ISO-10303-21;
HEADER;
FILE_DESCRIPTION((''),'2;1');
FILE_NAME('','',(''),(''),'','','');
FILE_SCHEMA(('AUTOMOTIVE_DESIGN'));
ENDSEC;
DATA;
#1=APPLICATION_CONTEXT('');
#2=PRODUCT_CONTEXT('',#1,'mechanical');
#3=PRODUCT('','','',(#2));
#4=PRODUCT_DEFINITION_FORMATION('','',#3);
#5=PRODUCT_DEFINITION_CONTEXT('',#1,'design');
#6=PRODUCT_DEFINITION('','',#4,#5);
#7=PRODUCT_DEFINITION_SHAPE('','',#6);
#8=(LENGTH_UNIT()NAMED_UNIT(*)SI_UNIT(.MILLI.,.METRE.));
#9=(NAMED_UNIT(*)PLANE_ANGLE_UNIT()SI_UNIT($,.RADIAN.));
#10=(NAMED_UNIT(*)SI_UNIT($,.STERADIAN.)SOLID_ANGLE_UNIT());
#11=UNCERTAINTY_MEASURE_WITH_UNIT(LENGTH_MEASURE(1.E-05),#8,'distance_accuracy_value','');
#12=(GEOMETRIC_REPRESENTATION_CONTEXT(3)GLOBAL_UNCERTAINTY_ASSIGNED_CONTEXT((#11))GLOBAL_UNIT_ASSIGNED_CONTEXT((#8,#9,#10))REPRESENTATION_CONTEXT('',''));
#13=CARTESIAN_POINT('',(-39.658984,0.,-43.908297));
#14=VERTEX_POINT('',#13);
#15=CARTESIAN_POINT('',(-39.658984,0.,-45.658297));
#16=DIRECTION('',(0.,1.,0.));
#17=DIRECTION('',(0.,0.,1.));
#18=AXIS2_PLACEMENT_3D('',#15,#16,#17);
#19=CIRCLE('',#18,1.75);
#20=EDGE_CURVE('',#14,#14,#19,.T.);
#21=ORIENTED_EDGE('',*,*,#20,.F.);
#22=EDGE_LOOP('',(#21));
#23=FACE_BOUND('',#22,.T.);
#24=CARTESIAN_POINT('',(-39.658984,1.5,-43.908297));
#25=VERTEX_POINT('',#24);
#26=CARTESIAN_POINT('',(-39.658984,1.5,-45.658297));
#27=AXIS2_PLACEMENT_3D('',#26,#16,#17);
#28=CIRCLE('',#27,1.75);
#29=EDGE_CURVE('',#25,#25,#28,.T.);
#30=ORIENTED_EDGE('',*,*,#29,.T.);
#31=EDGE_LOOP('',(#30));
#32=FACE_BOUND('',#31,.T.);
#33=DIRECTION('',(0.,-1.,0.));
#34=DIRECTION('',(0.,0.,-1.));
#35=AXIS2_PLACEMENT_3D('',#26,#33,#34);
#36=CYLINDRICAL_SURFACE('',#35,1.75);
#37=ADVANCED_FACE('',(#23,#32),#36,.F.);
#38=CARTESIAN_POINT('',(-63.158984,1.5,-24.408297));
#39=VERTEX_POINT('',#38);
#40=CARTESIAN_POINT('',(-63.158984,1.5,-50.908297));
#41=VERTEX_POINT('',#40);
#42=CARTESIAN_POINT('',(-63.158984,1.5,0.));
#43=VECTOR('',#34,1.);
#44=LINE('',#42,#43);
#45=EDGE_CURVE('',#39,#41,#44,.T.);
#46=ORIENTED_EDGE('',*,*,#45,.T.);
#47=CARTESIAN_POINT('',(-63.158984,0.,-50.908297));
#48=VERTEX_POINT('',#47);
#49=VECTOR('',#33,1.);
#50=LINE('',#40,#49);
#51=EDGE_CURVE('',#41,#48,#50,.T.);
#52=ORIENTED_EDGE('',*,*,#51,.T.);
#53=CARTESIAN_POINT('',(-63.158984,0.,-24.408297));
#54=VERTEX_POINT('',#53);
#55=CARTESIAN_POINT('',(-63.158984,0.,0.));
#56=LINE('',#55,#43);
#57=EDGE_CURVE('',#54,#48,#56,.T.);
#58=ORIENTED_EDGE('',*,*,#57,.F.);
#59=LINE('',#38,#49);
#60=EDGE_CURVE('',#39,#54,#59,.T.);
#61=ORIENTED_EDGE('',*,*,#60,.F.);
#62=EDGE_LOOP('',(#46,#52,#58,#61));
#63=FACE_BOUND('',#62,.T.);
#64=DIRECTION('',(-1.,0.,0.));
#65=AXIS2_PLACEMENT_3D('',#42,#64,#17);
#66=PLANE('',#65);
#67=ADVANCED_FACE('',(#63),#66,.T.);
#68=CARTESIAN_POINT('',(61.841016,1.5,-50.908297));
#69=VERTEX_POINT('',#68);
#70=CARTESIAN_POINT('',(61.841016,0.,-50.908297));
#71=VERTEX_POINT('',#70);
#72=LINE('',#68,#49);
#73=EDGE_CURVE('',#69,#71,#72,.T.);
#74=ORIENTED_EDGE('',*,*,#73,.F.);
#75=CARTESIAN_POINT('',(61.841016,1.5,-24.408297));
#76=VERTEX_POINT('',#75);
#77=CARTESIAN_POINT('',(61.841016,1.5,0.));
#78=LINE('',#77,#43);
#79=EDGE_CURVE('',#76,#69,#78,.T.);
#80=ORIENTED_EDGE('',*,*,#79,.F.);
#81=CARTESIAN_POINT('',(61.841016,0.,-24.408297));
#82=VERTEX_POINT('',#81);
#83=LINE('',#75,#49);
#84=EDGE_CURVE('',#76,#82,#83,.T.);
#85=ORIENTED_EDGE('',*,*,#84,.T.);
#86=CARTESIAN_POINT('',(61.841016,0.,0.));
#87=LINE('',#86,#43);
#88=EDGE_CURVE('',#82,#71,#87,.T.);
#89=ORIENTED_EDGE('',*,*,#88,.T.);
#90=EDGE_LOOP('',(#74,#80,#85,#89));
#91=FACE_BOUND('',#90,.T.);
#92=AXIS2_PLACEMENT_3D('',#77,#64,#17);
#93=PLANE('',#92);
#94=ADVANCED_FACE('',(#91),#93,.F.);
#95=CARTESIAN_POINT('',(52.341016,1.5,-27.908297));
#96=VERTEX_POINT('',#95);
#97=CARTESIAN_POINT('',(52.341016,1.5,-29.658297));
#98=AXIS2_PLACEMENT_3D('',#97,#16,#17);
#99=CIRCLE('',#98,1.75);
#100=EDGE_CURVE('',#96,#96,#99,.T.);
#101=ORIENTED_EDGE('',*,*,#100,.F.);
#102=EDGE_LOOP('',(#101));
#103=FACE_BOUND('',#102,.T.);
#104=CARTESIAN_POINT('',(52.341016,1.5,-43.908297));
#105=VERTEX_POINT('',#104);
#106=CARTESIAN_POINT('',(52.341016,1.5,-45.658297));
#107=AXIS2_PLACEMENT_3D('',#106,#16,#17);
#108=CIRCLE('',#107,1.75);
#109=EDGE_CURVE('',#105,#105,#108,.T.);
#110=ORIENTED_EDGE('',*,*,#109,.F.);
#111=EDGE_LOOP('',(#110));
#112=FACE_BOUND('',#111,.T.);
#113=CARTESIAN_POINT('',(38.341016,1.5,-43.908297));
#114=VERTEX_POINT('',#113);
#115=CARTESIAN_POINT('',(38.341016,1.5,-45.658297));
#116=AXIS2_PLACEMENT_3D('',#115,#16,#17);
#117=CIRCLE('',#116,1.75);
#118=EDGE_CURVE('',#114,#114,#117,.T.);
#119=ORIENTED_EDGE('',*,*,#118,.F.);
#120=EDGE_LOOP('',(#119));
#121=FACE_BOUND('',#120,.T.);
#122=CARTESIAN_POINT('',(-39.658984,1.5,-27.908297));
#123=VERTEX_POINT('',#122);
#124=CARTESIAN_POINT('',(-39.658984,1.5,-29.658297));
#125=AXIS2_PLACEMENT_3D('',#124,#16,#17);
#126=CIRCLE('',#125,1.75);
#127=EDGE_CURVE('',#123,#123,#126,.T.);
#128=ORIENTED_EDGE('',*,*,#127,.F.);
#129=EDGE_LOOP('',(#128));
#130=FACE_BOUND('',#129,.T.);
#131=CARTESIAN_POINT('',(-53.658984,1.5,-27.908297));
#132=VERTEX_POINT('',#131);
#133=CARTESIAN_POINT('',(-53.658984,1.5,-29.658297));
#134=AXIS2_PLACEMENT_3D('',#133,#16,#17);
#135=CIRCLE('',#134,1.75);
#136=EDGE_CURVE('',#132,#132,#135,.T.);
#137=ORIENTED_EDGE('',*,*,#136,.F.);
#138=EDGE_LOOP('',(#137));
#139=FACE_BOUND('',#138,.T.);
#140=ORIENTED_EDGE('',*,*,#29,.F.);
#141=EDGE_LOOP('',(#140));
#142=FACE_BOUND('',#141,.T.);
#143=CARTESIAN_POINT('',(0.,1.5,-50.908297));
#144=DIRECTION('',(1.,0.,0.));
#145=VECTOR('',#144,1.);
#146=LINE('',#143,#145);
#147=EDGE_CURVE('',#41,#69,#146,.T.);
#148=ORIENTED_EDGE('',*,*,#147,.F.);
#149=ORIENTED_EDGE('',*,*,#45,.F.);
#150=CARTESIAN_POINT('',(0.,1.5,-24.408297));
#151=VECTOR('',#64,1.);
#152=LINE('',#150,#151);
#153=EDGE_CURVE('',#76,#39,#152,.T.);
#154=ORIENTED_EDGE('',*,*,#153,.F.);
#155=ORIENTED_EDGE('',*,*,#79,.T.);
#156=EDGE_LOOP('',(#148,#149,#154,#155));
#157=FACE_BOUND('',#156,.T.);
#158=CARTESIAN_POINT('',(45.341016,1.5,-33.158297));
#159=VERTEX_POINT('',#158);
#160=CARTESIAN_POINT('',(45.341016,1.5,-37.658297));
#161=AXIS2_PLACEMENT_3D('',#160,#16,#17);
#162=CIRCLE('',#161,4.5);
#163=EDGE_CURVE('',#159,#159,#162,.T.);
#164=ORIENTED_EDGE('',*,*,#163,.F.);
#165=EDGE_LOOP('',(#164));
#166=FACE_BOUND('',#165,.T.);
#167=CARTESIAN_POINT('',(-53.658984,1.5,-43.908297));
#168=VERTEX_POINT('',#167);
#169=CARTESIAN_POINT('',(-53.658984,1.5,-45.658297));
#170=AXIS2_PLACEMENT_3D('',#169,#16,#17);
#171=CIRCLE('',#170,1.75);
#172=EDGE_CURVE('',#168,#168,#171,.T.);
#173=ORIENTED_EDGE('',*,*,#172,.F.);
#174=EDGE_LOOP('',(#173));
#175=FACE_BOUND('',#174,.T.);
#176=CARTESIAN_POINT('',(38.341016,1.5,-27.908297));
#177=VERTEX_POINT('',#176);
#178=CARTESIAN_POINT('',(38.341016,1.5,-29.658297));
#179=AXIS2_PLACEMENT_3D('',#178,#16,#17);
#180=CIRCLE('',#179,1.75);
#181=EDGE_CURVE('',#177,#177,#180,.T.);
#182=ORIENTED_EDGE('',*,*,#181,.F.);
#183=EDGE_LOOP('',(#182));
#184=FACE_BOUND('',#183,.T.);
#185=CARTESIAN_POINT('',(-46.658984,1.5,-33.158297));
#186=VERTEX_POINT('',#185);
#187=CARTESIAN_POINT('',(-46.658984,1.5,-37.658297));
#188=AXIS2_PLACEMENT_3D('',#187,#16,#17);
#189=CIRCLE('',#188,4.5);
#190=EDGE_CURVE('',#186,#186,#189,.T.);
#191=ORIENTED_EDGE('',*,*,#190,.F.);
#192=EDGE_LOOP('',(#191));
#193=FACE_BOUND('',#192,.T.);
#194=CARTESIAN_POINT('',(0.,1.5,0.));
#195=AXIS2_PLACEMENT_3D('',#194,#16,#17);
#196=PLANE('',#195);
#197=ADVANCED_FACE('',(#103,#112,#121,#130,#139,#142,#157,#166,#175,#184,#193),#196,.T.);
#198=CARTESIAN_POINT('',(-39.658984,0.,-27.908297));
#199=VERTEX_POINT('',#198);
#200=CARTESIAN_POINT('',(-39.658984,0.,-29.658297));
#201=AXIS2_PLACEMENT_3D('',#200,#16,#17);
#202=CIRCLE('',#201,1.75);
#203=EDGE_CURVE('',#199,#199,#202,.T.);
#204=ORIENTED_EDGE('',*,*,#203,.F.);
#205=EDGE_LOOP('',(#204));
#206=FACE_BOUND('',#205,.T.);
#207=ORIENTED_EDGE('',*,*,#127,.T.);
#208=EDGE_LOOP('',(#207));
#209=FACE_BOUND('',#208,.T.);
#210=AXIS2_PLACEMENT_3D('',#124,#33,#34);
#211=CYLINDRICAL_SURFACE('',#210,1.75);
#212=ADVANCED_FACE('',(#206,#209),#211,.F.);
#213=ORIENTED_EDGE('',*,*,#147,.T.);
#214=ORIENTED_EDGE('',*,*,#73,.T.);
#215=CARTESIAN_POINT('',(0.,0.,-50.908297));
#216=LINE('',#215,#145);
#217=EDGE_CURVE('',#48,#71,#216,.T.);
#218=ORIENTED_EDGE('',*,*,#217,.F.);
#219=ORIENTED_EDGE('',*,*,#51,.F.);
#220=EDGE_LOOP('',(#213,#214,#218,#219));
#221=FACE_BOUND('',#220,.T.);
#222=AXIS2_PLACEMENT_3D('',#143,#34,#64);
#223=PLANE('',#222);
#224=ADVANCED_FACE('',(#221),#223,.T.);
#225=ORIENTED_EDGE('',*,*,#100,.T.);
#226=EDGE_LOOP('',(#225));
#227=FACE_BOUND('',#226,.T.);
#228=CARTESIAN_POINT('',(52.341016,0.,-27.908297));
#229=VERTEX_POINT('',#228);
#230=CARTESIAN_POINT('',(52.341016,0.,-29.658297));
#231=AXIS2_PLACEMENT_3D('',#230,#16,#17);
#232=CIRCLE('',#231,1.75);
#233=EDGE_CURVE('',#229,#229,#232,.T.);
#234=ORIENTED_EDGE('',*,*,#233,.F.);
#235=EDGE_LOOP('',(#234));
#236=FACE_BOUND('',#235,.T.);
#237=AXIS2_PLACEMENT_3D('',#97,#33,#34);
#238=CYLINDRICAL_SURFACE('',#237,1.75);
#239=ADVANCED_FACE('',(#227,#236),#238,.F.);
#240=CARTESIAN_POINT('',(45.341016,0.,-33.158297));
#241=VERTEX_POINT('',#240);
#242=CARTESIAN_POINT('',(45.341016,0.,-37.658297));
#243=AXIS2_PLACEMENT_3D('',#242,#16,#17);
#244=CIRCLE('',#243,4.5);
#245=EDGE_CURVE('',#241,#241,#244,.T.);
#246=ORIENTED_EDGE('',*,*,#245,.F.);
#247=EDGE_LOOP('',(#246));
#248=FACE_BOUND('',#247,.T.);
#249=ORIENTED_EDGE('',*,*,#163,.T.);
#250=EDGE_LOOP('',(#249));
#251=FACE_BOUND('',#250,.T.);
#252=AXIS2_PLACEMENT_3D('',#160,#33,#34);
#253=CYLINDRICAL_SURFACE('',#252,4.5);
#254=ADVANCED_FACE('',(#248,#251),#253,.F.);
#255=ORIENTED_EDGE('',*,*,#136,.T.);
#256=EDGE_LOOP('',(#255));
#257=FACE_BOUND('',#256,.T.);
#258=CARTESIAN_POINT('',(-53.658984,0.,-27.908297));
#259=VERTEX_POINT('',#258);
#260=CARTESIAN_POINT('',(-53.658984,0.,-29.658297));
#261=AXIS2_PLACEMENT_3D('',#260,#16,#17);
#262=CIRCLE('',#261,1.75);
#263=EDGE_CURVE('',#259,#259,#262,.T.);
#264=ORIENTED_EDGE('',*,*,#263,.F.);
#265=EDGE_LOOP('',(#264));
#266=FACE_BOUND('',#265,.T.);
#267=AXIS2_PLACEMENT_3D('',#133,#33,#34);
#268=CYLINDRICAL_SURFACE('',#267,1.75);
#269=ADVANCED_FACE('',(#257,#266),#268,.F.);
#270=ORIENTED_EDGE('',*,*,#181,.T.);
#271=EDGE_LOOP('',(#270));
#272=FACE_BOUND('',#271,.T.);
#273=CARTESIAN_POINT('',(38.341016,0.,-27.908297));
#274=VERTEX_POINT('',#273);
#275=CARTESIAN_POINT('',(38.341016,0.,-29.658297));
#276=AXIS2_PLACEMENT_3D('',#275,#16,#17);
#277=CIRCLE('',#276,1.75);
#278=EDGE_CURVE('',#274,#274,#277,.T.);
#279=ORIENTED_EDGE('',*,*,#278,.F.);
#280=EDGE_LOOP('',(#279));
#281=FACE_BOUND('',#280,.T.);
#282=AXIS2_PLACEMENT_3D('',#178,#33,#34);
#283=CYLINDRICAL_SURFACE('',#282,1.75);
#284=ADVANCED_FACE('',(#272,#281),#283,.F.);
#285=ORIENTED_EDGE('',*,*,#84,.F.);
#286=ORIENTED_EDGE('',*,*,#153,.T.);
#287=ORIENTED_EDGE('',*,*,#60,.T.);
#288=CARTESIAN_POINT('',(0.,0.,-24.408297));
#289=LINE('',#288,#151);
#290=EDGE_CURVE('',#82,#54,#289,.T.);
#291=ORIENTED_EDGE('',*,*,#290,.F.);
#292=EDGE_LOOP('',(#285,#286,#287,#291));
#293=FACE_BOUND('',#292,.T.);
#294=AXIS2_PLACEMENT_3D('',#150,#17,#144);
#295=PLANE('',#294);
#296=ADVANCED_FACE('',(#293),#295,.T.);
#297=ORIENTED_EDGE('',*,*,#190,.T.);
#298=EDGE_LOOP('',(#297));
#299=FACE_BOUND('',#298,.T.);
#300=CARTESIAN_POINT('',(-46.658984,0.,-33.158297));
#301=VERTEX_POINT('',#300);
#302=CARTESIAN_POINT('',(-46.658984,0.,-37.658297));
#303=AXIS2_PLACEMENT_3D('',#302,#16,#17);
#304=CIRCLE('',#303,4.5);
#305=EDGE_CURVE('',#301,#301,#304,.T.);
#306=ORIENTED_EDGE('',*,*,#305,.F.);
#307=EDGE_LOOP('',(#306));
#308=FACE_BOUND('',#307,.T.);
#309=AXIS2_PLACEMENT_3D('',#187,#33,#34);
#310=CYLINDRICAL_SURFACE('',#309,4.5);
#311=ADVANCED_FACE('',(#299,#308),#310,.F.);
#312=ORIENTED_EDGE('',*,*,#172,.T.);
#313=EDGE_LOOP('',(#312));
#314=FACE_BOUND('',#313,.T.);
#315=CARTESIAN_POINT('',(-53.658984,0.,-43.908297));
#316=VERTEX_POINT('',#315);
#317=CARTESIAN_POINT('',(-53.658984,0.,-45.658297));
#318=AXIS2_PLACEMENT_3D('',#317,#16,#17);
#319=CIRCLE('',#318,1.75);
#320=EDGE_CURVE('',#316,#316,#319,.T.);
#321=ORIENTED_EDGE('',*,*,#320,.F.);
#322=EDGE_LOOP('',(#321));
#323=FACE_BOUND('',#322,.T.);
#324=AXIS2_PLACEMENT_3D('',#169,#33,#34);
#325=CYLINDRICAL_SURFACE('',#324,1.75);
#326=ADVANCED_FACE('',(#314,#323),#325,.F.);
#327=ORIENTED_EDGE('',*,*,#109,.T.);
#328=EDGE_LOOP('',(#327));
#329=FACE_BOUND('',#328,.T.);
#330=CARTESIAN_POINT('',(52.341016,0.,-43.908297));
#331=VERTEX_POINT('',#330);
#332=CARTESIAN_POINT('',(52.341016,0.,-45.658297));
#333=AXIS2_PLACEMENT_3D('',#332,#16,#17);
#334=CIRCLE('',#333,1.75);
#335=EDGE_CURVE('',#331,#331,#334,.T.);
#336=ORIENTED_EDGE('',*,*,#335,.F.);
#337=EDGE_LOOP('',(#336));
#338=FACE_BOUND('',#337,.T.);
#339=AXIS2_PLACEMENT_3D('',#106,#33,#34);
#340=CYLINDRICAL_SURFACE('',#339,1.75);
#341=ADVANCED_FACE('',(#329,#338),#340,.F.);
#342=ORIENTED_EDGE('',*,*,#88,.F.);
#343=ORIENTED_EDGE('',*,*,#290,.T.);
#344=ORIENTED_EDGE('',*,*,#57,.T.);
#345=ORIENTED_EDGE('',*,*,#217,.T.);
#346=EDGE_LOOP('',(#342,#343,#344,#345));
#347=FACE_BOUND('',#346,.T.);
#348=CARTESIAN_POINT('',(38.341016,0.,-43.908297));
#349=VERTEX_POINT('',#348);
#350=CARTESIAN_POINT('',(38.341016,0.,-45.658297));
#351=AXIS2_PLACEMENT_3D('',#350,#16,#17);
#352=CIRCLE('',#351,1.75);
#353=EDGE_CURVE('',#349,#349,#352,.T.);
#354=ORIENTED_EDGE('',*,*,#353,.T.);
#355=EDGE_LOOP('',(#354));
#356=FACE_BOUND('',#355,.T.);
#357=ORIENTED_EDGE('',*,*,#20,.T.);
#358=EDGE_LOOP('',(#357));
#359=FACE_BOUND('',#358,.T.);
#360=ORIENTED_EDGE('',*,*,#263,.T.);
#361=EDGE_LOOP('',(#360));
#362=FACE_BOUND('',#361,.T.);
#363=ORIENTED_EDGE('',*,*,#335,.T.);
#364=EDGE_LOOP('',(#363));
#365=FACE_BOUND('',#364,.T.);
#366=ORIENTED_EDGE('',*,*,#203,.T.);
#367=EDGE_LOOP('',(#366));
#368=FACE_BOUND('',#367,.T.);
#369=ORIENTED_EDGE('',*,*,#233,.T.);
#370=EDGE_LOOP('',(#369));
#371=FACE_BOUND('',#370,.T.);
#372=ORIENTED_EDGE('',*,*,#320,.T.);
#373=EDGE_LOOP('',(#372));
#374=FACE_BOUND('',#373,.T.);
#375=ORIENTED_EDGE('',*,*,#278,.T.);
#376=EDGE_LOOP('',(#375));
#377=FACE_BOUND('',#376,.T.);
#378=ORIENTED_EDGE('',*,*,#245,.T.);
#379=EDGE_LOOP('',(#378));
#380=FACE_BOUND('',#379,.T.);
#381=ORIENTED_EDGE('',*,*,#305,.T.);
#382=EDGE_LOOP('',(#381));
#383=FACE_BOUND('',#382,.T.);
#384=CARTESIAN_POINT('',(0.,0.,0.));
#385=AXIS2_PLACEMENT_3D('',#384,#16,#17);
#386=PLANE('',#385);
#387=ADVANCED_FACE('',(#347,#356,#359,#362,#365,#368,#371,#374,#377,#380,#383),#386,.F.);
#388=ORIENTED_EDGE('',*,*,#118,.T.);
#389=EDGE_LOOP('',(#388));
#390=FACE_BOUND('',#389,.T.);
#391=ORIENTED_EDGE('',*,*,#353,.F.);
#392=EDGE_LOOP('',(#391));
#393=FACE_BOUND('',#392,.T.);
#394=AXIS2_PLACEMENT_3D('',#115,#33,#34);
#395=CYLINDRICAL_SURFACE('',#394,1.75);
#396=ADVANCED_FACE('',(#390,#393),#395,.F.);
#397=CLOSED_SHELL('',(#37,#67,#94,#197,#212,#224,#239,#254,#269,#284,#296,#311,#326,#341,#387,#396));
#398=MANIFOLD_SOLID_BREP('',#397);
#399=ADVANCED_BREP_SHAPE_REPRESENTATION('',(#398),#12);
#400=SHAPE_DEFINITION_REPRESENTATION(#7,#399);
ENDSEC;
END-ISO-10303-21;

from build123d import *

# Parameters (mm, degrees)
SKETCH4_R           = 1.75
SKETCH4_R_2         = 4.5
BOSS_EXTRUDE1_DEPTH = 1.5


with BuildPart() as part:
    # Sketch4 → Boss-Extrude1 (new body)
    with BuildSketch(Plane(origin=(0, 0, 0), x_dir=(1, 0, 0), z_dir=(0, 1, 0))):
        Polygon((-30.158983798, 50.908297492), (-63.158983798, 50.908297492), (-63.158983798, 24.408297492), (-30.158983798, 24.408297492), (28.841016202, 24.408297492), (61.841016202, 24.408297492), (61.841016202, 50.908297492), (28.841016202, 50.908297492), align=None)
        with Locations(Location((-53.658983798, 29.658297492, 0), (0, 0, 270))):
            Circle(SKETCH4_R, mode=Mode.SUBTRACT)
        with Locations(Location((-39.658983798, 29.658297492, 0), (0, 0, 270))):
            Circle(SKETCH4_R, mode=Mode.SUBTRACT)
        with Locations(Location((38.341016202, 29.658297492, 0), (0, 0, 270))):
            Circle(SKETCH4_R, mode=Mode.SUBTRACT)
        with Locations(Location((52.341016202, 29.658297492, 0), (0, 0, 270))):
            Circle(SKETCH4_R, mode=Mode.SUBTRACT)
        with Locations(Location((-46.658983798, 37.658297492, 0), (0, 0, 270))):
            Circle(SKETCH4_R_2, mode=Mode.SUBTRACT)
        with Locations(Location((-53.658983798, 45.658297492, 0), (0, 0, 270))):
            Circle(SKETCH4_R, mode=Mode.SUBTRACT)
        with Locations(Location((-39.658983798, 45.658297492, 0), (0, 0, 270))):
            Circle(SKETCH4_R, mode=Mode.SUBTRACT)
        with Locations(Location((45.341016202, 37.658297492, 0), (0, 0, 270))):
            Circle(SKETCH4_R_2, mode=Mode.SUBTRACT)
        with Locations(Location((38.341016202, 45.658297492, 0), (0, 0, 270))):
            Circle(SKETCH4_R, mode=Mode.SUBTRACT)
        with Locations(Location((52.341016202, 45.658297492, 0), (0, 0, 270))):
            Circle(SKETCH4_R, mode=Mode.SUBTRACT)
    extrude(amount=BOSS_EXTRUDE1_DEPTH)


solid = part.part
